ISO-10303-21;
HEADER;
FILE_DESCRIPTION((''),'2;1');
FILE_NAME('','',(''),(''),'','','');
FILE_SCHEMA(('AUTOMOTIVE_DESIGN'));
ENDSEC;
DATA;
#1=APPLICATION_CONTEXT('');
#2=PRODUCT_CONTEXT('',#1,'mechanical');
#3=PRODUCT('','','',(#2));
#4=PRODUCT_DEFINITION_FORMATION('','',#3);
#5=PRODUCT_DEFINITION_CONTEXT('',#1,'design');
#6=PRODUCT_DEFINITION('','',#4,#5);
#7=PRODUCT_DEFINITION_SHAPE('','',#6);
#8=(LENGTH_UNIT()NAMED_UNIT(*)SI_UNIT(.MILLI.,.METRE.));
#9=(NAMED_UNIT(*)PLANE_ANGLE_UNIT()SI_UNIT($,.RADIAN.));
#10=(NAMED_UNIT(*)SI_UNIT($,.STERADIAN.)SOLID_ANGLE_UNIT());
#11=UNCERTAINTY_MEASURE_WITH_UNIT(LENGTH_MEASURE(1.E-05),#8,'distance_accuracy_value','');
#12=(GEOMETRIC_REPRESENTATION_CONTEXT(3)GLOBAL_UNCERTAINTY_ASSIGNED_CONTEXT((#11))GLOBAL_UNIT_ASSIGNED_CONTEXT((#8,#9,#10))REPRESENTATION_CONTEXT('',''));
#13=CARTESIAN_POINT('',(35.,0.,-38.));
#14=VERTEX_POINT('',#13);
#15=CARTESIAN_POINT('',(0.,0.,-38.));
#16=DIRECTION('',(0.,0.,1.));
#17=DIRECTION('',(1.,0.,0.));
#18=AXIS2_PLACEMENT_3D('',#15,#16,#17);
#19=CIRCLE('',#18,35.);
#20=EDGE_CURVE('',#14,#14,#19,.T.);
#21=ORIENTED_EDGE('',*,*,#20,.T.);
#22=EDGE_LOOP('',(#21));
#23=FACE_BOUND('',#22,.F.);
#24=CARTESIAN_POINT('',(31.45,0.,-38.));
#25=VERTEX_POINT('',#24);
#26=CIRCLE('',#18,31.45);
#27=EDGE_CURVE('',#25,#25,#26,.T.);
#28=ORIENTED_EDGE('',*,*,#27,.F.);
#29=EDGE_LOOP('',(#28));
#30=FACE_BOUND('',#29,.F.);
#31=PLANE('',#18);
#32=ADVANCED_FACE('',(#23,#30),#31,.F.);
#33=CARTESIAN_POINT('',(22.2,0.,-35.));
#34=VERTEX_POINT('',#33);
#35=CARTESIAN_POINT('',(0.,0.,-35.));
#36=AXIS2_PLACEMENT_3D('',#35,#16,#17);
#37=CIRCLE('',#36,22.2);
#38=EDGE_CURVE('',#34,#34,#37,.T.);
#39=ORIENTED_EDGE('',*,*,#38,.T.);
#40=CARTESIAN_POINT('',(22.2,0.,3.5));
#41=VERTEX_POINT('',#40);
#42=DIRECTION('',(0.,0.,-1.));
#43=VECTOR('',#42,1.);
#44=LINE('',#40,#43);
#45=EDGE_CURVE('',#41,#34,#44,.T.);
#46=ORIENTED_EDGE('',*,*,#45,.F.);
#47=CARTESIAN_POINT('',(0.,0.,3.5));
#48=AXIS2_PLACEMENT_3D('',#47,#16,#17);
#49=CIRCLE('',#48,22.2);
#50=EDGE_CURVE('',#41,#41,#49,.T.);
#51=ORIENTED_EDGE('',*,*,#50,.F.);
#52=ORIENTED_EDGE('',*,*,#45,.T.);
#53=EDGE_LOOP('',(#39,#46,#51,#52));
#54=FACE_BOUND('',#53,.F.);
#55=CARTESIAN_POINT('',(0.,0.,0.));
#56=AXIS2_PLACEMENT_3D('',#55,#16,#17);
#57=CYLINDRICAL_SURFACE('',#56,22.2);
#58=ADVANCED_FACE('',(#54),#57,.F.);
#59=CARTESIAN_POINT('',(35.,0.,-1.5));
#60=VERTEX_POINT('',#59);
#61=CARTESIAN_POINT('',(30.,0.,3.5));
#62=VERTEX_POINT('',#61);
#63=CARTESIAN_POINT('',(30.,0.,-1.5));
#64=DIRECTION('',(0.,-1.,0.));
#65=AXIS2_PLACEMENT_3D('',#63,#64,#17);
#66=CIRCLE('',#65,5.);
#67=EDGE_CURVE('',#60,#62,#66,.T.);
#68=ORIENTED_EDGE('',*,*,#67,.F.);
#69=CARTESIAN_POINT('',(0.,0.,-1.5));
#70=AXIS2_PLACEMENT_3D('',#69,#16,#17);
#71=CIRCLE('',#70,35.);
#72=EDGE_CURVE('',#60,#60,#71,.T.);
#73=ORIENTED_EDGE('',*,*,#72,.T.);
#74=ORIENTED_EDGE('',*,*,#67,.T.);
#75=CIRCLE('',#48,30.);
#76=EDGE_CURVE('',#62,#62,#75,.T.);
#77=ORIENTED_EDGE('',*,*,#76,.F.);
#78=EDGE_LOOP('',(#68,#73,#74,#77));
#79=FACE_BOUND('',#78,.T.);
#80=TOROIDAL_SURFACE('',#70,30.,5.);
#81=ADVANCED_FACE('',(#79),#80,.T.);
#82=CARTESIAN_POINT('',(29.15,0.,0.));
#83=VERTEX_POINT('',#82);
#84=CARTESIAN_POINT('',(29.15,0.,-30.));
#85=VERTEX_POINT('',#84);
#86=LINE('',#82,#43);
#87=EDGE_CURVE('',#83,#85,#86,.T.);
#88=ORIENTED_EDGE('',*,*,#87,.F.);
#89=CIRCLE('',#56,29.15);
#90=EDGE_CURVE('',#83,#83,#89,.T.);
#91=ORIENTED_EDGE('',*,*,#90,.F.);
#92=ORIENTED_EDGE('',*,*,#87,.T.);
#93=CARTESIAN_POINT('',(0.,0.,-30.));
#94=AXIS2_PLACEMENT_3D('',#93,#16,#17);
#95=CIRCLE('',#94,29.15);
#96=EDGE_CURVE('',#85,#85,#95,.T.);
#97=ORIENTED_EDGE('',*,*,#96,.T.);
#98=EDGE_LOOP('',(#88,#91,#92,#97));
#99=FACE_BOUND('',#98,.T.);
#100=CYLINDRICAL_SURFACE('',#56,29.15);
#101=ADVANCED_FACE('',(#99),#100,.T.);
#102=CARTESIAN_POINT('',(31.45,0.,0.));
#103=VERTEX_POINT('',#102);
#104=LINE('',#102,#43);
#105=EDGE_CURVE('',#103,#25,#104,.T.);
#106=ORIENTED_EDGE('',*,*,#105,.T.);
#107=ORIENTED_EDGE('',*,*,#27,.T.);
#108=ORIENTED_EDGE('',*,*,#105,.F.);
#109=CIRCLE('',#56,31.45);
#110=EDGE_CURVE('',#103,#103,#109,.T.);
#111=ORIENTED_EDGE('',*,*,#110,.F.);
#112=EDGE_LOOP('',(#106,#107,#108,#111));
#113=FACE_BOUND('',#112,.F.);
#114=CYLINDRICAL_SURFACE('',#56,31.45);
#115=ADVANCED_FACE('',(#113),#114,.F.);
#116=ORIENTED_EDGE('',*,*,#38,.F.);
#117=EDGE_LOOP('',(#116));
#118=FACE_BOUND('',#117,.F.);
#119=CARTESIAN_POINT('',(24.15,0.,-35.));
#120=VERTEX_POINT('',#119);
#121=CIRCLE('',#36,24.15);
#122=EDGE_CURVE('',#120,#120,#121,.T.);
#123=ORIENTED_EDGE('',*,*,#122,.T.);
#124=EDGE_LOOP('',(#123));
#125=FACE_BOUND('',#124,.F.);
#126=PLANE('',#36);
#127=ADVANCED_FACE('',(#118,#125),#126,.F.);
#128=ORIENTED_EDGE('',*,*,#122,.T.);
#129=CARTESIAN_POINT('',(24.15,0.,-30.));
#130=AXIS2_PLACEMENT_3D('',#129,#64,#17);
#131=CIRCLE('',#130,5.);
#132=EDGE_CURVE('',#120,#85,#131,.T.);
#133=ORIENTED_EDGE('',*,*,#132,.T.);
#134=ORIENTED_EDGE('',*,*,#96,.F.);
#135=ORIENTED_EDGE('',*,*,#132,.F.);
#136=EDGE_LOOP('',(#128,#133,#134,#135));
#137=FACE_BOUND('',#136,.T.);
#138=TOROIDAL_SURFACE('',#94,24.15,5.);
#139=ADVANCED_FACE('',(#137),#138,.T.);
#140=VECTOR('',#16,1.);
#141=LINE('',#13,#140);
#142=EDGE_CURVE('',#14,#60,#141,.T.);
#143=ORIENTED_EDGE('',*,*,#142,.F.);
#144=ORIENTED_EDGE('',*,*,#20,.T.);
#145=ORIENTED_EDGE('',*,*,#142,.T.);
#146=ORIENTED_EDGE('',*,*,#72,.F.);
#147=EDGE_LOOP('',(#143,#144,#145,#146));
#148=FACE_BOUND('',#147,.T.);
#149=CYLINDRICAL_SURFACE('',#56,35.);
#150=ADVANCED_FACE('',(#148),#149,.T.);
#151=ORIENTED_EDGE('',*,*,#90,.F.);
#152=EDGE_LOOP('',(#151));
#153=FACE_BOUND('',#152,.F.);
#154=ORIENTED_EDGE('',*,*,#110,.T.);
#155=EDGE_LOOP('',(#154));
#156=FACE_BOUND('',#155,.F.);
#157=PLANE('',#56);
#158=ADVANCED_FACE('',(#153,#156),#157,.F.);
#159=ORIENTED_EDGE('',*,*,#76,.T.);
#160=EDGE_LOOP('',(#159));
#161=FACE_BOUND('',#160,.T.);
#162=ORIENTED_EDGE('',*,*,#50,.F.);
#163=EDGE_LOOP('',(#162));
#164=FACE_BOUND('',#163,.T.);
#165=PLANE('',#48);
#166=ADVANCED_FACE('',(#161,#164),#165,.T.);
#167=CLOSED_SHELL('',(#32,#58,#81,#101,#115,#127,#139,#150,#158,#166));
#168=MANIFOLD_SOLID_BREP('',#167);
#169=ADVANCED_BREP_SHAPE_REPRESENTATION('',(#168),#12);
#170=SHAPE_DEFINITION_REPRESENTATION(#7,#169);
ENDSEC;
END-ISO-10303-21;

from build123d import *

# Parameters (mm, degrees)
F0_R     = 35
F0_R_2   = 31.45
F1_DEPTH = 38
F0_R_3   = 29.15
F2_DEPTH = 3.5
F3_R     = 22.2
F4_DEPTH = 25
F5_R     = 25.5
F5_R_2   = 22.2
F6_DEPTH = 35
F7_R     = 29.15
F7_R_2   = 25.5
F8_DEPTH = 35
F9_R     = 5
F10_R    = 5


with BuildPart() as f1:
    # F0 (on Top) → F1 (new body)
    with BuildSketch(Plane.XY):
        Circle(F0_R)
        Circle(F0_R_2, mode=Mode.SUBTRACT)
    extrude(amount=-F1_DEPTH)

    # F0 (on Top) → F2 (join)
    with BuildSketch(Plane.XY):
        Circle(F0_R)
        Circle(F0_R_2, mode=Mode.SUBTRACT)
        Circle(F0_R_2)
        Circle(F0_R_3, mode=Mode.SUBTRACT)
        Circle(F0_R_3)
    extrude(amount=F2_DEPTH)

    # F3 (on face) → F4 (cut)
    with BuildSketch(Plane.XY.offset(3.5)):
        Circle(F3_R)
    extrude(amount=-F4_DEPTH, mode=Mode.SUBTRACT)

    # F5 (on face) → F6 (join)
    with BuildSketch(Plane.XY):
        Circle(F5_R)
        Circle(F5_R_2, mode=Mode.SUBTRACT)
    extrude(amount=-F6_DEPTH)

    # F7 (on face) → F8 (join, through all)
    with BuildSketch(Plane.XY):
        Circle(F7_R)
        Circle(F7_R_2, mode=Mode.SUBTRACT)
    extrude(amount=-F8_DEPTH)

    # F9
    f9_edges = [f1.edges().sort_by_distance(p)[0] for p in [
        (-35, 0, 3.5),
    ]]
    fillet(f9_edges, radius=F9_R)

    # F10
    f10_edges = [f1.edges().sort_by_distance(p)[0] for p in [
        (-29.15, 0, -35),
    ]]
    fillet(f10_edges, radius=F10_R)


solid = f1.part
